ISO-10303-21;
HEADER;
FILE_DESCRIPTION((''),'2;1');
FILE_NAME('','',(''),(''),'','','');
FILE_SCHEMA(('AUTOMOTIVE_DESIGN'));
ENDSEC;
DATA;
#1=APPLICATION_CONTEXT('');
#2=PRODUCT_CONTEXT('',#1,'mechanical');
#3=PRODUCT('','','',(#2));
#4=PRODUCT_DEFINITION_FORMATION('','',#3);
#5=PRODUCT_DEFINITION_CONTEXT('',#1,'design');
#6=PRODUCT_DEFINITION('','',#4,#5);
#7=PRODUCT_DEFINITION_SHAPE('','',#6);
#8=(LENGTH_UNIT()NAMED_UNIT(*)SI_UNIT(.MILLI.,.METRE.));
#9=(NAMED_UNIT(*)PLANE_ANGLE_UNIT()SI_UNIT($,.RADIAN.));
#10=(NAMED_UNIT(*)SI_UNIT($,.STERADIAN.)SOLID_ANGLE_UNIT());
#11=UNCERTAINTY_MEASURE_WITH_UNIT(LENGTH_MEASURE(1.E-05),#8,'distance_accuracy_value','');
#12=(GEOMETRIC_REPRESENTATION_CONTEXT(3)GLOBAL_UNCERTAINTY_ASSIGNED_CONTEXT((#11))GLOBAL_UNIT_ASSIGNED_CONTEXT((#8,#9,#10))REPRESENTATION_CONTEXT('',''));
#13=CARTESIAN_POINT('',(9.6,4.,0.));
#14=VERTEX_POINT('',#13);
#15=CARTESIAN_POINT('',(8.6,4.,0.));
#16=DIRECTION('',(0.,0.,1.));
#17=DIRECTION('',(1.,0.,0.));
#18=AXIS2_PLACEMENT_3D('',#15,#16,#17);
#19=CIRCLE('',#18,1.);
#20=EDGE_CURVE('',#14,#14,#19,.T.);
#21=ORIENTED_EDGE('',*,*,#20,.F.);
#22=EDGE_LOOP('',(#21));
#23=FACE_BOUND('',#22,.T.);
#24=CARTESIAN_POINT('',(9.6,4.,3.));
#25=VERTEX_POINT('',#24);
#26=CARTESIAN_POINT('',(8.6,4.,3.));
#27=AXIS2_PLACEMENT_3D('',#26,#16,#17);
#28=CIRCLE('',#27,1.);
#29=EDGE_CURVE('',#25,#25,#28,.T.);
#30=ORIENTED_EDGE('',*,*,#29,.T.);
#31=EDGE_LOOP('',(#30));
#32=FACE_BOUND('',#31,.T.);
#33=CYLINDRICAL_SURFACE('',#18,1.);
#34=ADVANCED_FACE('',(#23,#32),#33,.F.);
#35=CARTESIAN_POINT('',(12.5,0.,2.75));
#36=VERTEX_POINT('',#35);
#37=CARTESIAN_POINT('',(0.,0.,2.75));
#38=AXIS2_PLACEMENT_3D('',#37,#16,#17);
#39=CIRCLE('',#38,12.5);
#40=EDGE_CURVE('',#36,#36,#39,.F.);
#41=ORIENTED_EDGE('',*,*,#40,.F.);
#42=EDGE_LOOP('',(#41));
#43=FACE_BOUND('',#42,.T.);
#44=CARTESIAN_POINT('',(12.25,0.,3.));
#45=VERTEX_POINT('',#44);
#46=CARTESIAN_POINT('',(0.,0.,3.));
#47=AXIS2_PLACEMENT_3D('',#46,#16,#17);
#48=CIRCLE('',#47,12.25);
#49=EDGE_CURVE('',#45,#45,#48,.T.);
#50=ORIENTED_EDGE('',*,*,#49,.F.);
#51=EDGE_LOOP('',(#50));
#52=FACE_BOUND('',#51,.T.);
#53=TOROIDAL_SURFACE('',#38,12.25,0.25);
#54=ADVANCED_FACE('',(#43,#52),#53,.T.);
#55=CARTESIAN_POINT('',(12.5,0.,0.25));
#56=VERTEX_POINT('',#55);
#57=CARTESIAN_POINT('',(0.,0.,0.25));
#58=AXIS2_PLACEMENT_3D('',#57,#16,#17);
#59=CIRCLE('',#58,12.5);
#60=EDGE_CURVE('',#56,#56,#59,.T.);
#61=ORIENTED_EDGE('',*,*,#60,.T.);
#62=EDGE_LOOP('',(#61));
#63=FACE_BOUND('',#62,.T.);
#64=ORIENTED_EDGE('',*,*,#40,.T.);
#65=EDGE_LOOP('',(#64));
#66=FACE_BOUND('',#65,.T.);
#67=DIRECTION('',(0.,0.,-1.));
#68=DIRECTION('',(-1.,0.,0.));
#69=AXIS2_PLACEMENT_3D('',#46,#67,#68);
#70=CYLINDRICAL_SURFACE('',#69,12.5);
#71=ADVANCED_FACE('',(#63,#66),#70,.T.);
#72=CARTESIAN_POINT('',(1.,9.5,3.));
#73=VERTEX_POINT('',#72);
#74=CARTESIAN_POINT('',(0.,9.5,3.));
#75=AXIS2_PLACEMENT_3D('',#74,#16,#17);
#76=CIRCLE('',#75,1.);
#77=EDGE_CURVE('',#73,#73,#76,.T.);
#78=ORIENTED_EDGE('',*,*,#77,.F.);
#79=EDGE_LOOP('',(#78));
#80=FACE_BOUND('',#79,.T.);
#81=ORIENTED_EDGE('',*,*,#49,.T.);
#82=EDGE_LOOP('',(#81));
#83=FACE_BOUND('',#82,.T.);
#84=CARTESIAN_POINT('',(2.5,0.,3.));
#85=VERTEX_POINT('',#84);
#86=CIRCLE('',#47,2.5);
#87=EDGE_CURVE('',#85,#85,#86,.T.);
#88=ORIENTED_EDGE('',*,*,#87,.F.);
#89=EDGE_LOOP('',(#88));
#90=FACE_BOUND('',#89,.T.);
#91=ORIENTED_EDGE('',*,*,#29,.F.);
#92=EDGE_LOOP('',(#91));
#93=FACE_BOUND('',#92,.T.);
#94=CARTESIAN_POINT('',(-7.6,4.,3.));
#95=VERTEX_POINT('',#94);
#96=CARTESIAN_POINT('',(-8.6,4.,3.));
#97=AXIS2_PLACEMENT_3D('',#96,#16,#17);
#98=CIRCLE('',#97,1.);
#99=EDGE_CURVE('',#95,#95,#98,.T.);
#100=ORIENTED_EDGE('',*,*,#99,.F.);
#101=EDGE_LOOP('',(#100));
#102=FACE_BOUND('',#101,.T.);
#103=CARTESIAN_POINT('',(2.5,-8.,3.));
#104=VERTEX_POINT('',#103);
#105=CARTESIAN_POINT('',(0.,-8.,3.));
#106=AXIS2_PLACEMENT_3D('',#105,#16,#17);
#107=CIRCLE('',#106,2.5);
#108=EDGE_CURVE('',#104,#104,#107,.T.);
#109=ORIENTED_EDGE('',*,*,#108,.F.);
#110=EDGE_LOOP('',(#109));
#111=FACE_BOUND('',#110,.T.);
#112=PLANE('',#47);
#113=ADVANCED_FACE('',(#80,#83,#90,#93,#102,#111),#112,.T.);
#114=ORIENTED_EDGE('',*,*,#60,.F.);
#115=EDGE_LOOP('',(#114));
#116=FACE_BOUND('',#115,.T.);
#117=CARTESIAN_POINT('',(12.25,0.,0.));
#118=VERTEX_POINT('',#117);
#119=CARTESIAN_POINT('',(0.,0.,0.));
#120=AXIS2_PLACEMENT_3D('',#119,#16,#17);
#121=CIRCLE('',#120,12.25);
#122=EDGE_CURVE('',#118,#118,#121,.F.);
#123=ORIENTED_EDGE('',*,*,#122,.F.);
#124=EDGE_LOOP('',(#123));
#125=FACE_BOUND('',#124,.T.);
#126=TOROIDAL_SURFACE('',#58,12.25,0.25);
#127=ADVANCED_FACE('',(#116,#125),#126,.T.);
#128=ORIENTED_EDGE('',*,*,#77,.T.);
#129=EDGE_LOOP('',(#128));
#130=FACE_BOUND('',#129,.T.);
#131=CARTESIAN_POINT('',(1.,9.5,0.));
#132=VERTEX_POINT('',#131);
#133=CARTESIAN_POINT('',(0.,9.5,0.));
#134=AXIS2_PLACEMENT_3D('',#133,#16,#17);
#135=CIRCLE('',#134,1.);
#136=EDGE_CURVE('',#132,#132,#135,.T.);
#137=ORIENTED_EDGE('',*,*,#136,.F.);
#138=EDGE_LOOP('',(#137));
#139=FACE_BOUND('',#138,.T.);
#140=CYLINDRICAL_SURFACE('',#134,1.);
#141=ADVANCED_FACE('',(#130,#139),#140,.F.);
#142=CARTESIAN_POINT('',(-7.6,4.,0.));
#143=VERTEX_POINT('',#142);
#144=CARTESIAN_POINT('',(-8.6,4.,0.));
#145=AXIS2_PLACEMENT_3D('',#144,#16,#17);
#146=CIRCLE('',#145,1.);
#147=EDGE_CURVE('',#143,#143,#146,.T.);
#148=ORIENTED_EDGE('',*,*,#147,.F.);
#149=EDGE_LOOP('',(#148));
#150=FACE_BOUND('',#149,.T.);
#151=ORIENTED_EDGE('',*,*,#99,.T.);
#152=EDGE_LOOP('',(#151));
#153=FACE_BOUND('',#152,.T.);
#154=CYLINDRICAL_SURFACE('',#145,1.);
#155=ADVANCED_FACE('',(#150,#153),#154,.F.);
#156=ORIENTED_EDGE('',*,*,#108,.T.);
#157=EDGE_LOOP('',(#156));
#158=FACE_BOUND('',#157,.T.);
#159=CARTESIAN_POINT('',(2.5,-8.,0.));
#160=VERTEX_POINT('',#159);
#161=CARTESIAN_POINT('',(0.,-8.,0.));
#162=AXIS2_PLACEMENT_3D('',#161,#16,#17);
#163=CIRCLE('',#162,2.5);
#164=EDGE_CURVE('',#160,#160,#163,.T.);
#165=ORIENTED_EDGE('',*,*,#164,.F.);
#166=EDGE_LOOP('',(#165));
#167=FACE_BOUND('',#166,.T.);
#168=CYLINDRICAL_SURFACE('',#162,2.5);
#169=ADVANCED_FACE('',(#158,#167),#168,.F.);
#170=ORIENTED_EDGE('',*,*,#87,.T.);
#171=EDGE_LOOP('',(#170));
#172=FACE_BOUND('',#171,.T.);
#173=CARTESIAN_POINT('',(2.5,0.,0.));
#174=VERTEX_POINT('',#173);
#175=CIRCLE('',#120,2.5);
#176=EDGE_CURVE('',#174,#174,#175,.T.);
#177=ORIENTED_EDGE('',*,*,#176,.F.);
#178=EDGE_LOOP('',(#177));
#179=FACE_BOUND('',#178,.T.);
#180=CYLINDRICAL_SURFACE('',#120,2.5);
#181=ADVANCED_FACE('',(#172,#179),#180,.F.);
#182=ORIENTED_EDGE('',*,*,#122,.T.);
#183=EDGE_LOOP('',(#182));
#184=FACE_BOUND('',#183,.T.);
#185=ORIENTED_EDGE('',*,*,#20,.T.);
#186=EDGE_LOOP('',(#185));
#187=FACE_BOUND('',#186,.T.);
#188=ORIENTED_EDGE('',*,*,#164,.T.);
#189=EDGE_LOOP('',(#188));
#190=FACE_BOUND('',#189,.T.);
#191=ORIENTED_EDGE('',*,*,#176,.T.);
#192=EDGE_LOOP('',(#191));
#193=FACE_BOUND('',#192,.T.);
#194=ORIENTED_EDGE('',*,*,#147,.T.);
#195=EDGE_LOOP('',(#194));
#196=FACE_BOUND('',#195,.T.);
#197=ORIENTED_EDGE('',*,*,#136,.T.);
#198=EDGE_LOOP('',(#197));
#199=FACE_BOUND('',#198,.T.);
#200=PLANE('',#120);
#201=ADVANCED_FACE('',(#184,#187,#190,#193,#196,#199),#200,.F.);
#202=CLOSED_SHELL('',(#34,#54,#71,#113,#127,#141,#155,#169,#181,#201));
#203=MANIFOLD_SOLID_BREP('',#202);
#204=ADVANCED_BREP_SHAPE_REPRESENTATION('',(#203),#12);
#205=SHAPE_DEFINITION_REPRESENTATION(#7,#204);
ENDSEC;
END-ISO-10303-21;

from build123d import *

# Parameters (mm, degrees)
SKETCH1_R           = 12.5
BOSS_EXTRUDE1_DEPTH = 3
SKETCH2_R           = 2.5
SKETCH2_R_2         = 1
CUT_EXTRUDE1_DEPTH  = 3
FILLET1_R           = 0.25


with BuildPart() as part:
    # Sketch1 → Boss-Extrude1 (new body)
    with BuildSketch(Plane.XY):
        Circle(SKETCH1_R)
    extrude(amount=BOSS_EXTRUDE1_DEPTH)

    # Sketch2 → Cut-Extrude1 (cut)
    with BuildSketch(Plane.XY.offset(3)):
        Circle(SKETCH2_R)
        with Locations((0, -8)):
            Circle(SKETCH2_R)
        with Locations((0, 9.5)):
            Circle(SKETCH2_R_2)
        with Locations((8.6, 4)):
            Circle(SKETCH2_R_2)
        with Locations((-8.6, 4)):
            Circle(SKETCH2_R_2)
    extrude(amount=-CUT_EXTRUDE1_DEPTH, mode=Mode.SUBTRACT)

    # Fillet1
    fillet1_edges = [part.edges().sort_by_distance(p)[0] for p in [
        (-12.5, 0, 0),
        (-12.5, 0, 3),
    ]]
    fillet(fillet1_edges, radius=FILLET1_R)


solid = part.part
